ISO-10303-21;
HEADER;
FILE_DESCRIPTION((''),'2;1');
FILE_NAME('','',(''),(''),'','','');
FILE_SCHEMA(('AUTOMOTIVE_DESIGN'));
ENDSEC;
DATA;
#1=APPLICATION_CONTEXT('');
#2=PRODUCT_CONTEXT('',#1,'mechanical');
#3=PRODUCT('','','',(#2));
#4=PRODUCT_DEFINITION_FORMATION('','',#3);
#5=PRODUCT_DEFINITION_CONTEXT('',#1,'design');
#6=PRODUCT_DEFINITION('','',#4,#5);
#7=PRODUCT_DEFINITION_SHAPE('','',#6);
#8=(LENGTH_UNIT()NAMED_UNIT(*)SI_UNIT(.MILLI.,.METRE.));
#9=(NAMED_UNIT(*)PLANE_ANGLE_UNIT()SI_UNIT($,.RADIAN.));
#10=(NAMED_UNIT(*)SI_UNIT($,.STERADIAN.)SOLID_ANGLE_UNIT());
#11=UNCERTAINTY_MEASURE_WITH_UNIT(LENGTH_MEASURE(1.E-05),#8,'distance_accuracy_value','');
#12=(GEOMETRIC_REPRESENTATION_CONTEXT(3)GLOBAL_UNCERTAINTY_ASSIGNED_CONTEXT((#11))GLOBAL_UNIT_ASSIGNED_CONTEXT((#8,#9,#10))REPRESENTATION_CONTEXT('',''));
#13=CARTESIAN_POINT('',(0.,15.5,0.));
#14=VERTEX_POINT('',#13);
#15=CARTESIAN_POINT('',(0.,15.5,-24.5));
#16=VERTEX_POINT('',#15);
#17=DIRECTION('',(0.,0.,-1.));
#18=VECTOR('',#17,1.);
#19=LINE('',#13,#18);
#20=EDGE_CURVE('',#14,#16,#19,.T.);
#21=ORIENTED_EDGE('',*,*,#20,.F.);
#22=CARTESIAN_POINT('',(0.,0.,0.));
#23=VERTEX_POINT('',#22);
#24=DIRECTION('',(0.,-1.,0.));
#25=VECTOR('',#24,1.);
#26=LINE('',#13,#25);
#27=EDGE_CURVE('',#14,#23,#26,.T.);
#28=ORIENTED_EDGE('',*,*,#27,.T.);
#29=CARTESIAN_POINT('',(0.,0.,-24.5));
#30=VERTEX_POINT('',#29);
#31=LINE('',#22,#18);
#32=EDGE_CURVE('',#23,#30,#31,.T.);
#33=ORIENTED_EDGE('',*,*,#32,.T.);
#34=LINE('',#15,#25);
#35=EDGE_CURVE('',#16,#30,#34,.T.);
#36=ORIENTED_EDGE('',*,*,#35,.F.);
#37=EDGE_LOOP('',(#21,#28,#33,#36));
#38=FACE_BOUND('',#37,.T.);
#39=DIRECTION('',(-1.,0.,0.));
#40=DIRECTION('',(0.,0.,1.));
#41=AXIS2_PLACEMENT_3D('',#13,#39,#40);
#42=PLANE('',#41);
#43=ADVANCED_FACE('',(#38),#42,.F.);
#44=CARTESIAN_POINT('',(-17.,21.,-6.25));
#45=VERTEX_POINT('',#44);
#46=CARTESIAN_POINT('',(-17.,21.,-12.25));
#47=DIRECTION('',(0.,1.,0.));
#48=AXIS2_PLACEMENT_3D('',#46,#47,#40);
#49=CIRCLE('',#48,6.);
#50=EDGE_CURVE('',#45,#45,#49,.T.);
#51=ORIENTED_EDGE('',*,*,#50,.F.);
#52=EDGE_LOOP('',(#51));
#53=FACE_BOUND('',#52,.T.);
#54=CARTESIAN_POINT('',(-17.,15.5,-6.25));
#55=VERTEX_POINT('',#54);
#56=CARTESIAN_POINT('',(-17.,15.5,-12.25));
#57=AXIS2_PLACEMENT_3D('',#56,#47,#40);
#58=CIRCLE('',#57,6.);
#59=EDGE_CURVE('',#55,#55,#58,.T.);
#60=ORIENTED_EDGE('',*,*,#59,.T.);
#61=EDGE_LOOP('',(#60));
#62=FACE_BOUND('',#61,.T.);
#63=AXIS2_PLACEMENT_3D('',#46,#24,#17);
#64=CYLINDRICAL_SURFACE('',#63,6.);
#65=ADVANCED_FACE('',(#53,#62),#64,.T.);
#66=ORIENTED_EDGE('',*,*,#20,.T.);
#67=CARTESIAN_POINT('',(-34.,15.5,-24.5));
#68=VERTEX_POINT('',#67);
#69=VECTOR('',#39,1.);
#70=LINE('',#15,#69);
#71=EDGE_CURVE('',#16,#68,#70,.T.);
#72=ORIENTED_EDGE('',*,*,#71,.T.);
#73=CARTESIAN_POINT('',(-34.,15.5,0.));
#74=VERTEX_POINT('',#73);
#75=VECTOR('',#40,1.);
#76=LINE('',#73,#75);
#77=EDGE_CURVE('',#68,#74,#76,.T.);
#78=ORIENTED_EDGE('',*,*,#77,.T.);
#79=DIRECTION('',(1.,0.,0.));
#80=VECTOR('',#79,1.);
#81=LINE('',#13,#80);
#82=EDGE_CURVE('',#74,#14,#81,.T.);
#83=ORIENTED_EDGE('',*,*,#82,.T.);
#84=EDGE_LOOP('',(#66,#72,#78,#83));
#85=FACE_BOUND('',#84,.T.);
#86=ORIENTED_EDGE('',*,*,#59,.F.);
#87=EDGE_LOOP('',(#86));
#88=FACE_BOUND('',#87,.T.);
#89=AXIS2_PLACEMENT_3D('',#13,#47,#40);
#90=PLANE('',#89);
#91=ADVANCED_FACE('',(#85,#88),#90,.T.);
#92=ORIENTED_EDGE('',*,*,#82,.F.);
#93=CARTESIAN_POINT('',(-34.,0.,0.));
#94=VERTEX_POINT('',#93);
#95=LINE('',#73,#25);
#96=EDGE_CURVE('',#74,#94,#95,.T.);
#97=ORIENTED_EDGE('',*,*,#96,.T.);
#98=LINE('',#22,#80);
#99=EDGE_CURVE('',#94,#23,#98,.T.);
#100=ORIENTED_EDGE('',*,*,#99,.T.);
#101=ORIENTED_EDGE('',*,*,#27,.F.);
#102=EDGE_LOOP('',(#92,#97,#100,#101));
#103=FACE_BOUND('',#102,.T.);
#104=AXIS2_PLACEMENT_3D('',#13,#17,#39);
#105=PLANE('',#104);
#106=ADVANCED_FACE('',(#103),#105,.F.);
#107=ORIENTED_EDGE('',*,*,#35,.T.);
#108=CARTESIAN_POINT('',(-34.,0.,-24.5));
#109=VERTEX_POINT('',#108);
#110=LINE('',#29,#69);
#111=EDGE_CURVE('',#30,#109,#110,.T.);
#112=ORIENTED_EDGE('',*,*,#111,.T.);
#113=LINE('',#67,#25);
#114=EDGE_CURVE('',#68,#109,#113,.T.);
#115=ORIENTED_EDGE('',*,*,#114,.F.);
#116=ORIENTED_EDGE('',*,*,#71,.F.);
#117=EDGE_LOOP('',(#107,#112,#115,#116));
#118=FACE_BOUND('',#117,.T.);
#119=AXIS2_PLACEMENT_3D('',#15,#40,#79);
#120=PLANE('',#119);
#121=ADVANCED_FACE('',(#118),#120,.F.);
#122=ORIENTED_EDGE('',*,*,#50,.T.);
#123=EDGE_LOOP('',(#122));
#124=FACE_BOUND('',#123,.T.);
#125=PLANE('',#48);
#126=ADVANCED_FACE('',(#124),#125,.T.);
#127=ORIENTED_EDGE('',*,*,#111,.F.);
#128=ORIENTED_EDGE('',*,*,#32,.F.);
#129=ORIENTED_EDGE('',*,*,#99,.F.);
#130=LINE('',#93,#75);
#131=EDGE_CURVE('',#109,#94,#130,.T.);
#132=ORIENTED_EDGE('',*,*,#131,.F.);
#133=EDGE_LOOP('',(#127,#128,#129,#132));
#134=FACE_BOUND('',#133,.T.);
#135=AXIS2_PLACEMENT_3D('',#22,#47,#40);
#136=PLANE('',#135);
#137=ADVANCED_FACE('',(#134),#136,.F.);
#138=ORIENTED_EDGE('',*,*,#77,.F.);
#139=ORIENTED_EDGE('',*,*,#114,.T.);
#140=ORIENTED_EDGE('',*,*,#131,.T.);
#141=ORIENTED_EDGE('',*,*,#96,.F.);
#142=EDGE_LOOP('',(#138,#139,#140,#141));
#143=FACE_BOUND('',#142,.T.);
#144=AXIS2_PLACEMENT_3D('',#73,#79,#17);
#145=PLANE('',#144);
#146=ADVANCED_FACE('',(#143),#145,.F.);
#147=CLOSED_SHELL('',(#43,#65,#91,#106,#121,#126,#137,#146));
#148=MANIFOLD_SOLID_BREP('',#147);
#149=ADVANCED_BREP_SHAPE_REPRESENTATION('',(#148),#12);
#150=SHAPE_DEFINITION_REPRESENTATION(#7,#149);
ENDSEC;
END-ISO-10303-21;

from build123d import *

# Parameters (mm, degrees)
SKETCH_1_W      = 34
SKETCH_1_H      = 24.5
EXTRUDE_1_DEPTH = 15.5
SKETCH_2_R      = 6
EXTRUDE_2_DEPTH = 5.5


with BuildPart() as part:
    # 草图1 → 凸台-拉伸1 (new body)
    with BuildSketch(Plane(origin=(0, 0, 0), x_dir=(1, 0, 0), z_dir=(0, 1, 0))):
        with Locations((-17, 12.25)):
            Rectangle(SKETCH_1_W, SKETCH_1_H)
    extrude(amount=EXTRUDE_1_DEPTH)

    # 草图2 → 凸台-拉伸2 (add)
    with BuildSketch(Plane(origin=(0, 15.5, 0), x_dir=(1, 0, 0), z_dir=(0, 1, 0))):
        with Locations(Location((-17, 12.25, 0), (0, 0, 270))):
            Circle(SKETCH_2_R)
    extrude(amount=EXTRUDE_2_DEPTH)


solid = part.part
